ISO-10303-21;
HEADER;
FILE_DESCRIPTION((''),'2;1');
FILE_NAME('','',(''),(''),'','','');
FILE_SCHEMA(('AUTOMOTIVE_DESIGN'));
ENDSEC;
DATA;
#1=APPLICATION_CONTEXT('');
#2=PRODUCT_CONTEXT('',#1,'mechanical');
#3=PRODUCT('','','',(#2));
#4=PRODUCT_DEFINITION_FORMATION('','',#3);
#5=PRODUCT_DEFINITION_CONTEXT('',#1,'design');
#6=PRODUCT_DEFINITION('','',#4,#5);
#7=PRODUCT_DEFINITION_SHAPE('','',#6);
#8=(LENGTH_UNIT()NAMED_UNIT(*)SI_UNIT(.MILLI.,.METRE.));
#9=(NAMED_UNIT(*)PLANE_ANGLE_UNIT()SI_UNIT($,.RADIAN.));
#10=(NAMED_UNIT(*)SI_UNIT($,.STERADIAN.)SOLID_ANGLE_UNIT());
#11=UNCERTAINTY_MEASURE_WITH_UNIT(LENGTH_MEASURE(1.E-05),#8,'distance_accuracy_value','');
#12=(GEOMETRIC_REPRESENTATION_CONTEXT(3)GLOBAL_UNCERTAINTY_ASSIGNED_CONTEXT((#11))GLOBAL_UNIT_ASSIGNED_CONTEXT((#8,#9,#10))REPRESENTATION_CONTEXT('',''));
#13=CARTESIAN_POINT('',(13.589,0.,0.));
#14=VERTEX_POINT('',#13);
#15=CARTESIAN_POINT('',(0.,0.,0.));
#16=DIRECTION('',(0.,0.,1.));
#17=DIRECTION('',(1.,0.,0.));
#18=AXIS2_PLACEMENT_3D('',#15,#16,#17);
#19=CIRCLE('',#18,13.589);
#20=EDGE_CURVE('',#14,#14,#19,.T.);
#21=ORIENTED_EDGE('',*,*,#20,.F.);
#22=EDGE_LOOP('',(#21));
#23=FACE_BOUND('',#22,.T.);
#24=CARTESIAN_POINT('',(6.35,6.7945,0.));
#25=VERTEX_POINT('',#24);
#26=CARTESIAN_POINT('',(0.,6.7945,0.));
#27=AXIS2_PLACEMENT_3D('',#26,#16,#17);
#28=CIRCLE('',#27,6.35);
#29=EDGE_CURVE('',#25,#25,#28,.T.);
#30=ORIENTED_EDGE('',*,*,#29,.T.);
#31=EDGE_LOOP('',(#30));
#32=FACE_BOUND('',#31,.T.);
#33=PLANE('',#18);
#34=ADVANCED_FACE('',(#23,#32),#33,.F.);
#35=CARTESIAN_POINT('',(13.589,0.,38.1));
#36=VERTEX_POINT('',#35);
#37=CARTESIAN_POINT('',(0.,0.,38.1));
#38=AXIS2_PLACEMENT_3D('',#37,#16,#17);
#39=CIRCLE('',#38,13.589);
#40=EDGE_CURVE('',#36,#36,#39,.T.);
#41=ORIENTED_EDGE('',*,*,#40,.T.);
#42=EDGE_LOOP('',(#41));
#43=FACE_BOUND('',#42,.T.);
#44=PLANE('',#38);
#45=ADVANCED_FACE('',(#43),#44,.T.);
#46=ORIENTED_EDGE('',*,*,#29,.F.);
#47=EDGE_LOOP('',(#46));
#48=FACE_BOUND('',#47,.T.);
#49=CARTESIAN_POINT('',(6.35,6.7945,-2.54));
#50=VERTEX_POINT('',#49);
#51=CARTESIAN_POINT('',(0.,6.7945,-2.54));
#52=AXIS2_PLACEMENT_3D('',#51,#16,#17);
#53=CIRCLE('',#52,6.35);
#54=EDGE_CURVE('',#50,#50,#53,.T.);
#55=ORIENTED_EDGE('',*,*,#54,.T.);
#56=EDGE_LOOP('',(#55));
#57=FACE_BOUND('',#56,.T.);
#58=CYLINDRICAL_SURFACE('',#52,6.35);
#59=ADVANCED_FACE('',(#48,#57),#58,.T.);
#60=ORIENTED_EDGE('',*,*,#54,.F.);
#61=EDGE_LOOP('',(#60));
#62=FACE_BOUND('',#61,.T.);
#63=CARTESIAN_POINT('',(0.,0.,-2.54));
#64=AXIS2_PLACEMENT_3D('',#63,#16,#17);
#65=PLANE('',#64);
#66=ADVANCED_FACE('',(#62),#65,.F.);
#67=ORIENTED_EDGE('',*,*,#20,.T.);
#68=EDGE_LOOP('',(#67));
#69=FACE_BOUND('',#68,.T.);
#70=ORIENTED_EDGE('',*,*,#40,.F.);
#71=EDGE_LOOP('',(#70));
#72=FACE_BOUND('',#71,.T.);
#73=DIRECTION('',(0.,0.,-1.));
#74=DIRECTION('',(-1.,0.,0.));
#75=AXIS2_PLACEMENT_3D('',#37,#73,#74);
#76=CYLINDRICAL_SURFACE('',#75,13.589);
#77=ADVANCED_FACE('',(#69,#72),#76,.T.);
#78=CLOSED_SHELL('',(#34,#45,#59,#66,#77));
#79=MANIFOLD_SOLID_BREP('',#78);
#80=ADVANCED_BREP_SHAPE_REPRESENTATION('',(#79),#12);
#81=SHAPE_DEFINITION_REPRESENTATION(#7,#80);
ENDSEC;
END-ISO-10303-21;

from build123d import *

# Parameters (mm, degrees)
SKETCH1_R           = 13.589
BOSS_EXTRUDE2_DEPTH = 38.1
SKETCH1_5_R         = 6.35
BOSS_EXTRUDE3_DEPTH = 2.54


with BuildPart() as part:
    # Sketch1 → Boss-Extrude2 (new body)
    with BuildSketch(Plane.XY):
        Circle(SKETCH1_R)
    extrude(amount=BOSS_EXTRUDE2_DEPTH)

    # Sketch1<5> → Boss-Extrude3 (add)
    with BuildSketch(Plane.XY):
        with Locations((0, 6.7945)):
            Circle(SKETCH1_5_R)
    extrude(amount=-BOSS_EXTRUDE3_DEPTH)


solid = part.part
